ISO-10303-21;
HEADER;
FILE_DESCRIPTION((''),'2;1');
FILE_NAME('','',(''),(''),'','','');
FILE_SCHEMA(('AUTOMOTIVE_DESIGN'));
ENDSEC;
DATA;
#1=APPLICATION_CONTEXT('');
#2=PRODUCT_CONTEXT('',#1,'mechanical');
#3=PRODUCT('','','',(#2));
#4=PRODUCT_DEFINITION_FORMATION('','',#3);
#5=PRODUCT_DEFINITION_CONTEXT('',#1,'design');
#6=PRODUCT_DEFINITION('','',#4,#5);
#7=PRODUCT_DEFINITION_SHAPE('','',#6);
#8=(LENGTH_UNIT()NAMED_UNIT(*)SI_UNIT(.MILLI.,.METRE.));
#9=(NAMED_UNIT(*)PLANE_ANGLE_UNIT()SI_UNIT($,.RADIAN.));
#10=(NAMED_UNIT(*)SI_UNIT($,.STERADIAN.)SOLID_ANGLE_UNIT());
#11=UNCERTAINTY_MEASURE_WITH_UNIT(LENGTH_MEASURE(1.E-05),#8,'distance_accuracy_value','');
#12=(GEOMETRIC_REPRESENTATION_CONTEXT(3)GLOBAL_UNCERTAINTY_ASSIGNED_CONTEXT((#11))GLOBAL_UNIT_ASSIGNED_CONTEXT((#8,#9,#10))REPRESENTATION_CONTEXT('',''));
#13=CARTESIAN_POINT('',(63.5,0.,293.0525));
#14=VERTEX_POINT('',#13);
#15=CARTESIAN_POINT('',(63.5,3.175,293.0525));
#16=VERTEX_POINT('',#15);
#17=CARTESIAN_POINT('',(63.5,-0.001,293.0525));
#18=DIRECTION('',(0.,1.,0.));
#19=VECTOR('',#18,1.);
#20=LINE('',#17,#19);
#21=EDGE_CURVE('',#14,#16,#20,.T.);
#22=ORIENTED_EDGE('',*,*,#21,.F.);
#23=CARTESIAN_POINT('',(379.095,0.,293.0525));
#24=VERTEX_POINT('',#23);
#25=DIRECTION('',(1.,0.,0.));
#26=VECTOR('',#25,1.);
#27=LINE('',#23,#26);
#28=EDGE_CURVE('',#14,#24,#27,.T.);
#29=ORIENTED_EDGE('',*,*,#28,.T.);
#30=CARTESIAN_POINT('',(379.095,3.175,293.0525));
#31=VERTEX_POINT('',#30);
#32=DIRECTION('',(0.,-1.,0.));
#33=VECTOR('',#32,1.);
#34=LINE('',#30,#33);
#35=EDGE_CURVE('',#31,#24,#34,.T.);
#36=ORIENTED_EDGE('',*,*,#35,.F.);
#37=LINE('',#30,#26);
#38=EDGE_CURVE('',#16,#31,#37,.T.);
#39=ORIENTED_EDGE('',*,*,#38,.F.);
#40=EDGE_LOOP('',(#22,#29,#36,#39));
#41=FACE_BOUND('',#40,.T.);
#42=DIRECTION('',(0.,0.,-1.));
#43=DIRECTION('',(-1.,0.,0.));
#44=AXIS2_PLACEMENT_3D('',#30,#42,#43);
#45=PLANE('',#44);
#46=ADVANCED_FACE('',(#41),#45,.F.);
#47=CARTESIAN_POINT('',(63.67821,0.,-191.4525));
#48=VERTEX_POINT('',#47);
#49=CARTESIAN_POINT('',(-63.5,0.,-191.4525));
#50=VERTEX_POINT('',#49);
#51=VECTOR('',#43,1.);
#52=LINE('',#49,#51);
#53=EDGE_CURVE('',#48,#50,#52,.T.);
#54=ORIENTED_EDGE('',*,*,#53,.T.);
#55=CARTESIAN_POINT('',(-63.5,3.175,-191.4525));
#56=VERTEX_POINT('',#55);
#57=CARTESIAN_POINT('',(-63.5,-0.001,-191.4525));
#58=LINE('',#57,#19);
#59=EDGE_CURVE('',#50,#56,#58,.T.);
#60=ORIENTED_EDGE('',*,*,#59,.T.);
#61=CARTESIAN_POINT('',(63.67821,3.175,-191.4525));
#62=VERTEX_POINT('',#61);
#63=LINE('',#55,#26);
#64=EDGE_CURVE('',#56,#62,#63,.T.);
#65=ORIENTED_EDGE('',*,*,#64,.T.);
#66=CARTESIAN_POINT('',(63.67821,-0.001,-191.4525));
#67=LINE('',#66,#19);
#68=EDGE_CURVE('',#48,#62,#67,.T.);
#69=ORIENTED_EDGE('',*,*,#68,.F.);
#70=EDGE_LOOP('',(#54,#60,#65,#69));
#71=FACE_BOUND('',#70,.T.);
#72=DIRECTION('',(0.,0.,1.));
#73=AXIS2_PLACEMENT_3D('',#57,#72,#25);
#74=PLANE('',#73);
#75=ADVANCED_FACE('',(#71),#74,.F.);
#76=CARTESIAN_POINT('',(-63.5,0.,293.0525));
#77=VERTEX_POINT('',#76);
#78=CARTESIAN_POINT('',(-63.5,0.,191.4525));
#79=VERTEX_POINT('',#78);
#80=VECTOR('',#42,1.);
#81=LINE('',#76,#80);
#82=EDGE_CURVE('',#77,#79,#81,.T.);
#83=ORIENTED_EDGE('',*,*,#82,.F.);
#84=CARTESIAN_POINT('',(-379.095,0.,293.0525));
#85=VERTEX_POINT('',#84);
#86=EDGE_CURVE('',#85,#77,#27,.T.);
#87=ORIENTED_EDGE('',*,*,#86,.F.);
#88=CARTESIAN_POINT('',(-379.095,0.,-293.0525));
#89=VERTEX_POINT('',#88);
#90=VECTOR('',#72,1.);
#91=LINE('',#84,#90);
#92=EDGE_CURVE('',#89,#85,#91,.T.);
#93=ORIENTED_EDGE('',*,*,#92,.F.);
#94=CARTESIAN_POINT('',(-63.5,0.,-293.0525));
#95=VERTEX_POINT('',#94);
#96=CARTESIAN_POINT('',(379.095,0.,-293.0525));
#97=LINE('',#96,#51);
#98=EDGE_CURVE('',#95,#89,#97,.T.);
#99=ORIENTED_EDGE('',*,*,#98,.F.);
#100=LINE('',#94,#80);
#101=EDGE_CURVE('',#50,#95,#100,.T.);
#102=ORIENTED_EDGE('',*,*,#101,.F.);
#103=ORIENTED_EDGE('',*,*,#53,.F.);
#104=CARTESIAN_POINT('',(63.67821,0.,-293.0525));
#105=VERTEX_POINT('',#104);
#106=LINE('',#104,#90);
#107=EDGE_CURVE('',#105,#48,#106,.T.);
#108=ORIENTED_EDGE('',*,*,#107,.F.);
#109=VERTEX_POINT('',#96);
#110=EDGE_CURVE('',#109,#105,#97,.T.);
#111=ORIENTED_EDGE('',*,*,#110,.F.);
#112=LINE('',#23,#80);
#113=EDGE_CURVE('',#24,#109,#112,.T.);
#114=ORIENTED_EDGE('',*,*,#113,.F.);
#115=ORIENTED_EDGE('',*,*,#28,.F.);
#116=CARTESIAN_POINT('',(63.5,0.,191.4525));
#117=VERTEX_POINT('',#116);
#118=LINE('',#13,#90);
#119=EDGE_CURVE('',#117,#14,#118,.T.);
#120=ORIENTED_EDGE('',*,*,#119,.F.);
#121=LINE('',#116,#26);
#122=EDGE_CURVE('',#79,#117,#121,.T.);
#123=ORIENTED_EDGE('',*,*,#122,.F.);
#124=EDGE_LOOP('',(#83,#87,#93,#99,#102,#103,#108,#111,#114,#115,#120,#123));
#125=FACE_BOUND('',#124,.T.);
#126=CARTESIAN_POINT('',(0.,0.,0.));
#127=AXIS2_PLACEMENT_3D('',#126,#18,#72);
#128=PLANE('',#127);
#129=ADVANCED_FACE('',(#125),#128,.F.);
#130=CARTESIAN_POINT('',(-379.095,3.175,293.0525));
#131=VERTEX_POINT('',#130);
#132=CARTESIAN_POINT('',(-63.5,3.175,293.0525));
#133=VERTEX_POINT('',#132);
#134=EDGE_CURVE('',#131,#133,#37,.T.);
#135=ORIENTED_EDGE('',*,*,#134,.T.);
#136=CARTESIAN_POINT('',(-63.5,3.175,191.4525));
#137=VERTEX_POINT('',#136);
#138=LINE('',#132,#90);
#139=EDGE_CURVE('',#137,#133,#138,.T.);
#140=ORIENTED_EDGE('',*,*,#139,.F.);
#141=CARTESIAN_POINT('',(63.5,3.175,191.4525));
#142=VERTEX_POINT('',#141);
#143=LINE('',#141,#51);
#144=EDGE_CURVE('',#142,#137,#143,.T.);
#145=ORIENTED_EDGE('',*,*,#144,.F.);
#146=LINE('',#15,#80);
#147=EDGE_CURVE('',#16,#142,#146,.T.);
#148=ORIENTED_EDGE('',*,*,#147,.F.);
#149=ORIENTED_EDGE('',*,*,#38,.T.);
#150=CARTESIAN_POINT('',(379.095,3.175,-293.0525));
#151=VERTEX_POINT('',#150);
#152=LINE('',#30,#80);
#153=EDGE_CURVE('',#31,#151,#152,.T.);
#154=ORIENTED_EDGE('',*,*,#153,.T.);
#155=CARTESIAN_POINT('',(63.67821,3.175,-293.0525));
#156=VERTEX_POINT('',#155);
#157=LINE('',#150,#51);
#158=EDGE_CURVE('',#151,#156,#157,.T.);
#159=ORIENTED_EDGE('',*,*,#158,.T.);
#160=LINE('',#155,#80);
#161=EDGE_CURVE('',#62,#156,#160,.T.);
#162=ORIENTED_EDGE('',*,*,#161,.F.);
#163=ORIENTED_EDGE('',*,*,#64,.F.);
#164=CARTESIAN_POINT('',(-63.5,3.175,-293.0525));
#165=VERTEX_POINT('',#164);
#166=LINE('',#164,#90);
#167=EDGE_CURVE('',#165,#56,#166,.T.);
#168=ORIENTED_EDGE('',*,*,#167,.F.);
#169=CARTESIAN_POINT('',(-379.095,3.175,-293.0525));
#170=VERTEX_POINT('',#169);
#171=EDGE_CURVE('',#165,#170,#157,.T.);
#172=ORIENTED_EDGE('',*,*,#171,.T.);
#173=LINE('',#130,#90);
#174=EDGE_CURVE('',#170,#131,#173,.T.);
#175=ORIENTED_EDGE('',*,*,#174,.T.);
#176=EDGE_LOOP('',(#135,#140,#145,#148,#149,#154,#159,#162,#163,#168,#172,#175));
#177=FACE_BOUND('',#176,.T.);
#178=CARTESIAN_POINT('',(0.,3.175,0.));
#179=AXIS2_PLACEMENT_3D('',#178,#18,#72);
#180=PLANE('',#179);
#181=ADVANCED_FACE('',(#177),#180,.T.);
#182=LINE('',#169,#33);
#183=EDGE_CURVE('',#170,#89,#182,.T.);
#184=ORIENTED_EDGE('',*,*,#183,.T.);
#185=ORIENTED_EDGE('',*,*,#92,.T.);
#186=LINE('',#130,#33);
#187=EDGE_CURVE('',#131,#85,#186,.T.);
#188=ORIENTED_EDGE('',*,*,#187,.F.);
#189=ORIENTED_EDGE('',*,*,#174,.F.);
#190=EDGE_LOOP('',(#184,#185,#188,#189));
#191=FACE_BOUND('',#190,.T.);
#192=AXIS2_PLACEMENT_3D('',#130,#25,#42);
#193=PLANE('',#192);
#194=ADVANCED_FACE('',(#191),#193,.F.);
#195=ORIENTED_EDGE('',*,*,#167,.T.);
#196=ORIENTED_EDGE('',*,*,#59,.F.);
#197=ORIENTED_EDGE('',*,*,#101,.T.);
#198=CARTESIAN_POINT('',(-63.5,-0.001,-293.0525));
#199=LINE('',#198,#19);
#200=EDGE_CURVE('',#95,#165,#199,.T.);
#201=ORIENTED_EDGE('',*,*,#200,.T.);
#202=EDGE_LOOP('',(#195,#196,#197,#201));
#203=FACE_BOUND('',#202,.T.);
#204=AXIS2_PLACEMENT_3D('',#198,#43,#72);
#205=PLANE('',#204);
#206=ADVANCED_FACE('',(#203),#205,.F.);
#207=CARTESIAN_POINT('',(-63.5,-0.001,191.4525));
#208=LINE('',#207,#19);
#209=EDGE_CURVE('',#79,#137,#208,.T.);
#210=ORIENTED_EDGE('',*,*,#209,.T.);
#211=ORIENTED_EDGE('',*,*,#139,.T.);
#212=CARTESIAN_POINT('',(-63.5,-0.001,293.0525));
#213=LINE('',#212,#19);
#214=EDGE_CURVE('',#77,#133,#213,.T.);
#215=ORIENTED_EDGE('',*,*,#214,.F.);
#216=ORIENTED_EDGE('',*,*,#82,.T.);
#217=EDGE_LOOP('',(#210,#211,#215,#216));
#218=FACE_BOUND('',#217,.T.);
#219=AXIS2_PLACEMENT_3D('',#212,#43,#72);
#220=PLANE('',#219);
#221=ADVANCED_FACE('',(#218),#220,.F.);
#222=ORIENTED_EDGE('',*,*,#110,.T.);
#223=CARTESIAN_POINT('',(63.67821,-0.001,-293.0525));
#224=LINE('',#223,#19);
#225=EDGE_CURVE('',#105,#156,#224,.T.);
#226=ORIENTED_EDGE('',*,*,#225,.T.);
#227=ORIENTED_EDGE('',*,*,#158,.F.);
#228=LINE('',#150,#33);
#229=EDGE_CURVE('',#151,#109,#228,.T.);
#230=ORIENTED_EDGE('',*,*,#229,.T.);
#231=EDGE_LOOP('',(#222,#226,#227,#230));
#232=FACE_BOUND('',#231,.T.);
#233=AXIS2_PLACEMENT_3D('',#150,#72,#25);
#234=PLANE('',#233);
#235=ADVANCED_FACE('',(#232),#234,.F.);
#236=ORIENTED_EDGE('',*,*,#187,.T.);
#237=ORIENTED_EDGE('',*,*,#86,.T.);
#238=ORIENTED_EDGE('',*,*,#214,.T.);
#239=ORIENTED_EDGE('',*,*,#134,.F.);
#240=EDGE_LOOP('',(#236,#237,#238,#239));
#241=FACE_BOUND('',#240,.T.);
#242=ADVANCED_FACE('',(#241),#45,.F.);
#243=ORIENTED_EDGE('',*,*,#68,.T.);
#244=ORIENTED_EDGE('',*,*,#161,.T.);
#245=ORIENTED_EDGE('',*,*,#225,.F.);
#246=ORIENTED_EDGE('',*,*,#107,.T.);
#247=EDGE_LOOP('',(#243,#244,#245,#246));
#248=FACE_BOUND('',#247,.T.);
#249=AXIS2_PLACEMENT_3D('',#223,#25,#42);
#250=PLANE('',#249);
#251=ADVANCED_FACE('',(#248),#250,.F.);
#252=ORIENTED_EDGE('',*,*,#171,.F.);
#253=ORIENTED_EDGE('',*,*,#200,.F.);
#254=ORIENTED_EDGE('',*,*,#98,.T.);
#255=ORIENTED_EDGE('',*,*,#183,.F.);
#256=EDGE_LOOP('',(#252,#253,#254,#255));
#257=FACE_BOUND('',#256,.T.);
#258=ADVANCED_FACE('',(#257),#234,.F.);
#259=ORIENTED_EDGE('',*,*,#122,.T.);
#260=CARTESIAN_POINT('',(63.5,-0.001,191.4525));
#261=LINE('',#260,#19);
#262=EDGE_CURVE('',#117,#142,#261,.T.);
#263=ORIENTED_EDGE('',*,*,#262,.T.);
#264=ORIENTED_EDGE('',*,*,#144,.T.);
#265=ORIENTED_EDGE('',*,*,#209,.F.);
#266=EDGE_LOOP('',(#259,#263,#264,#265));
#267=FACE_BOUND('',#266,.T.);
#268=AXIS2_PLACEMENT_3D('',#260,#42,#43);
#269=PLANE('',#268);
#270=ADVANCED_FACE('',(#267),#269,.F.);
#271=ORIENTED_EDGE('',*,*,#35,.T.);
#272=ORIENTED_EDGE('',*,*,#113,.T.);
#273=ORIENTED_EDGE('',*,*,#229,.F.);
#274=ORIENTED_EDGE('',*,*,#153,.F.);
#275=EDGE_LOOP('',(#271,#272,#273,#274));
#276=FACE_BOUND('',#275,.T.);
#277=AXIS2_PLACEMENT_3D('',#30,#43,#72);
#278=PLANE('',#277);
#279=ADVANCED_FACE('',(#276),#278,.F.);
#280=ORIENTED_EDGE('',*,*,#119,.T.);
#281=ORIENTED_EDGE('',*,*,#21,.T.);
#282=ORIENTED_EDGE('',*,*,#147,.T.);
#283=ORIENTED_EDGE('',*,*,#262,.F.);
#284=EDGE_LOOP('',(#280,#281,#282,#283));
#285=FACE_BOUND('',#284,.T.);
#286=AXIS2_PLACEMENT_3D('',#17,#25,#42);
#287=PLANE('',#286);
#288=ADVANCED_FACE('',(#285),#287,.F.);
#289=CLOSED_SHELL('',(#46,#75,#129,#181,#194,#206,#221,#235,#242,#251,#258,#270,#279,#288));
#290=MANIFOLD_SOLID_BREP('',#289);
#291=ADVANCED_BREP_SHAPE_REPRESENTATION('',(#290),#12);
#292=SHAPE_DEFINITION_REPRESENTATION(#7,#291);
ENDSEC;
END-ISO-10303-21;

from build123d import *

# Parameters (mm, degrees)
SKETCH1_W           = 758.19
SKETCH1_H           = 586.105
BOSS_EXTRUDE1_DEPTH = 3.175
CUT_EXTRUDE1_REACH  = 481.169
SKETCH2_W           = 127
SKETCH2_H           = 101.6
SKETCH2_W_2         = 127.178209898


with BuildPart() as part:
    # Sketch1 → Boss-Extrude1 (new body)
    with BuildSketch(Plane(origin=(0, 0, 0), x_dir=(1, 0, 0), z_dir=(0, 1, 0))):
        Rectangle(SKETCH1_W, SKETCH1_H)
    extrude(amount=BOSS_EXTRUDE1_DEPTH)

    # Sketch2 → Cut-Extrude1 (cut, up to next)
    with BuildSketch(Plane(origin=(0, 3.175, 0), x_dir=(1, 0, 0), z_dir=(0, 1, 0)), mode=Mode.PRIVATE) as cut_extrude1_sk1:
        with Locations((0, -242.2525)):
            Rectangle(SKETCH2_W, SKETCH2_H)
    cut_extrude1_tool1 = extrude(cut_extrude1_sk1.sketch, amount=-CUT_EXTRUDE1_REACH, mode=Mode.PRIVATE) & part.part
    # Sketch2 → Cut-Extrude1 (cut, up to next)
    with BuildSketch(Plane(origin=(0, 3.175, 0), x_dir=(1, 0, 0), z_dir=(0, 1, 0)), mode=Mode.PRIVATE) as cut_extrude1_sk2:
        with Locations((0.089104949, 242.2525)):
            Rectangle(SKETCH2_W_2, SKETCH2_H)
    cut_extrude1_tool2 = extrude(cut_extrude1_sk2.sketch, amount=-CUT_EXTRUDE1_REACH, mode=Mode.PRIVATE) & part.part
    add(cut_extrude1_tool1.solids().sort_by_distance((0, 3.175, 242.2525))[0], mode=Mode.SUBTRACT)
    add(cut_extrude1_tool2.solids().sort_by_distance((0.089105, 3.175, -242.2525))[0], mode=Mode.SUBTRACT)


solid = part.part
